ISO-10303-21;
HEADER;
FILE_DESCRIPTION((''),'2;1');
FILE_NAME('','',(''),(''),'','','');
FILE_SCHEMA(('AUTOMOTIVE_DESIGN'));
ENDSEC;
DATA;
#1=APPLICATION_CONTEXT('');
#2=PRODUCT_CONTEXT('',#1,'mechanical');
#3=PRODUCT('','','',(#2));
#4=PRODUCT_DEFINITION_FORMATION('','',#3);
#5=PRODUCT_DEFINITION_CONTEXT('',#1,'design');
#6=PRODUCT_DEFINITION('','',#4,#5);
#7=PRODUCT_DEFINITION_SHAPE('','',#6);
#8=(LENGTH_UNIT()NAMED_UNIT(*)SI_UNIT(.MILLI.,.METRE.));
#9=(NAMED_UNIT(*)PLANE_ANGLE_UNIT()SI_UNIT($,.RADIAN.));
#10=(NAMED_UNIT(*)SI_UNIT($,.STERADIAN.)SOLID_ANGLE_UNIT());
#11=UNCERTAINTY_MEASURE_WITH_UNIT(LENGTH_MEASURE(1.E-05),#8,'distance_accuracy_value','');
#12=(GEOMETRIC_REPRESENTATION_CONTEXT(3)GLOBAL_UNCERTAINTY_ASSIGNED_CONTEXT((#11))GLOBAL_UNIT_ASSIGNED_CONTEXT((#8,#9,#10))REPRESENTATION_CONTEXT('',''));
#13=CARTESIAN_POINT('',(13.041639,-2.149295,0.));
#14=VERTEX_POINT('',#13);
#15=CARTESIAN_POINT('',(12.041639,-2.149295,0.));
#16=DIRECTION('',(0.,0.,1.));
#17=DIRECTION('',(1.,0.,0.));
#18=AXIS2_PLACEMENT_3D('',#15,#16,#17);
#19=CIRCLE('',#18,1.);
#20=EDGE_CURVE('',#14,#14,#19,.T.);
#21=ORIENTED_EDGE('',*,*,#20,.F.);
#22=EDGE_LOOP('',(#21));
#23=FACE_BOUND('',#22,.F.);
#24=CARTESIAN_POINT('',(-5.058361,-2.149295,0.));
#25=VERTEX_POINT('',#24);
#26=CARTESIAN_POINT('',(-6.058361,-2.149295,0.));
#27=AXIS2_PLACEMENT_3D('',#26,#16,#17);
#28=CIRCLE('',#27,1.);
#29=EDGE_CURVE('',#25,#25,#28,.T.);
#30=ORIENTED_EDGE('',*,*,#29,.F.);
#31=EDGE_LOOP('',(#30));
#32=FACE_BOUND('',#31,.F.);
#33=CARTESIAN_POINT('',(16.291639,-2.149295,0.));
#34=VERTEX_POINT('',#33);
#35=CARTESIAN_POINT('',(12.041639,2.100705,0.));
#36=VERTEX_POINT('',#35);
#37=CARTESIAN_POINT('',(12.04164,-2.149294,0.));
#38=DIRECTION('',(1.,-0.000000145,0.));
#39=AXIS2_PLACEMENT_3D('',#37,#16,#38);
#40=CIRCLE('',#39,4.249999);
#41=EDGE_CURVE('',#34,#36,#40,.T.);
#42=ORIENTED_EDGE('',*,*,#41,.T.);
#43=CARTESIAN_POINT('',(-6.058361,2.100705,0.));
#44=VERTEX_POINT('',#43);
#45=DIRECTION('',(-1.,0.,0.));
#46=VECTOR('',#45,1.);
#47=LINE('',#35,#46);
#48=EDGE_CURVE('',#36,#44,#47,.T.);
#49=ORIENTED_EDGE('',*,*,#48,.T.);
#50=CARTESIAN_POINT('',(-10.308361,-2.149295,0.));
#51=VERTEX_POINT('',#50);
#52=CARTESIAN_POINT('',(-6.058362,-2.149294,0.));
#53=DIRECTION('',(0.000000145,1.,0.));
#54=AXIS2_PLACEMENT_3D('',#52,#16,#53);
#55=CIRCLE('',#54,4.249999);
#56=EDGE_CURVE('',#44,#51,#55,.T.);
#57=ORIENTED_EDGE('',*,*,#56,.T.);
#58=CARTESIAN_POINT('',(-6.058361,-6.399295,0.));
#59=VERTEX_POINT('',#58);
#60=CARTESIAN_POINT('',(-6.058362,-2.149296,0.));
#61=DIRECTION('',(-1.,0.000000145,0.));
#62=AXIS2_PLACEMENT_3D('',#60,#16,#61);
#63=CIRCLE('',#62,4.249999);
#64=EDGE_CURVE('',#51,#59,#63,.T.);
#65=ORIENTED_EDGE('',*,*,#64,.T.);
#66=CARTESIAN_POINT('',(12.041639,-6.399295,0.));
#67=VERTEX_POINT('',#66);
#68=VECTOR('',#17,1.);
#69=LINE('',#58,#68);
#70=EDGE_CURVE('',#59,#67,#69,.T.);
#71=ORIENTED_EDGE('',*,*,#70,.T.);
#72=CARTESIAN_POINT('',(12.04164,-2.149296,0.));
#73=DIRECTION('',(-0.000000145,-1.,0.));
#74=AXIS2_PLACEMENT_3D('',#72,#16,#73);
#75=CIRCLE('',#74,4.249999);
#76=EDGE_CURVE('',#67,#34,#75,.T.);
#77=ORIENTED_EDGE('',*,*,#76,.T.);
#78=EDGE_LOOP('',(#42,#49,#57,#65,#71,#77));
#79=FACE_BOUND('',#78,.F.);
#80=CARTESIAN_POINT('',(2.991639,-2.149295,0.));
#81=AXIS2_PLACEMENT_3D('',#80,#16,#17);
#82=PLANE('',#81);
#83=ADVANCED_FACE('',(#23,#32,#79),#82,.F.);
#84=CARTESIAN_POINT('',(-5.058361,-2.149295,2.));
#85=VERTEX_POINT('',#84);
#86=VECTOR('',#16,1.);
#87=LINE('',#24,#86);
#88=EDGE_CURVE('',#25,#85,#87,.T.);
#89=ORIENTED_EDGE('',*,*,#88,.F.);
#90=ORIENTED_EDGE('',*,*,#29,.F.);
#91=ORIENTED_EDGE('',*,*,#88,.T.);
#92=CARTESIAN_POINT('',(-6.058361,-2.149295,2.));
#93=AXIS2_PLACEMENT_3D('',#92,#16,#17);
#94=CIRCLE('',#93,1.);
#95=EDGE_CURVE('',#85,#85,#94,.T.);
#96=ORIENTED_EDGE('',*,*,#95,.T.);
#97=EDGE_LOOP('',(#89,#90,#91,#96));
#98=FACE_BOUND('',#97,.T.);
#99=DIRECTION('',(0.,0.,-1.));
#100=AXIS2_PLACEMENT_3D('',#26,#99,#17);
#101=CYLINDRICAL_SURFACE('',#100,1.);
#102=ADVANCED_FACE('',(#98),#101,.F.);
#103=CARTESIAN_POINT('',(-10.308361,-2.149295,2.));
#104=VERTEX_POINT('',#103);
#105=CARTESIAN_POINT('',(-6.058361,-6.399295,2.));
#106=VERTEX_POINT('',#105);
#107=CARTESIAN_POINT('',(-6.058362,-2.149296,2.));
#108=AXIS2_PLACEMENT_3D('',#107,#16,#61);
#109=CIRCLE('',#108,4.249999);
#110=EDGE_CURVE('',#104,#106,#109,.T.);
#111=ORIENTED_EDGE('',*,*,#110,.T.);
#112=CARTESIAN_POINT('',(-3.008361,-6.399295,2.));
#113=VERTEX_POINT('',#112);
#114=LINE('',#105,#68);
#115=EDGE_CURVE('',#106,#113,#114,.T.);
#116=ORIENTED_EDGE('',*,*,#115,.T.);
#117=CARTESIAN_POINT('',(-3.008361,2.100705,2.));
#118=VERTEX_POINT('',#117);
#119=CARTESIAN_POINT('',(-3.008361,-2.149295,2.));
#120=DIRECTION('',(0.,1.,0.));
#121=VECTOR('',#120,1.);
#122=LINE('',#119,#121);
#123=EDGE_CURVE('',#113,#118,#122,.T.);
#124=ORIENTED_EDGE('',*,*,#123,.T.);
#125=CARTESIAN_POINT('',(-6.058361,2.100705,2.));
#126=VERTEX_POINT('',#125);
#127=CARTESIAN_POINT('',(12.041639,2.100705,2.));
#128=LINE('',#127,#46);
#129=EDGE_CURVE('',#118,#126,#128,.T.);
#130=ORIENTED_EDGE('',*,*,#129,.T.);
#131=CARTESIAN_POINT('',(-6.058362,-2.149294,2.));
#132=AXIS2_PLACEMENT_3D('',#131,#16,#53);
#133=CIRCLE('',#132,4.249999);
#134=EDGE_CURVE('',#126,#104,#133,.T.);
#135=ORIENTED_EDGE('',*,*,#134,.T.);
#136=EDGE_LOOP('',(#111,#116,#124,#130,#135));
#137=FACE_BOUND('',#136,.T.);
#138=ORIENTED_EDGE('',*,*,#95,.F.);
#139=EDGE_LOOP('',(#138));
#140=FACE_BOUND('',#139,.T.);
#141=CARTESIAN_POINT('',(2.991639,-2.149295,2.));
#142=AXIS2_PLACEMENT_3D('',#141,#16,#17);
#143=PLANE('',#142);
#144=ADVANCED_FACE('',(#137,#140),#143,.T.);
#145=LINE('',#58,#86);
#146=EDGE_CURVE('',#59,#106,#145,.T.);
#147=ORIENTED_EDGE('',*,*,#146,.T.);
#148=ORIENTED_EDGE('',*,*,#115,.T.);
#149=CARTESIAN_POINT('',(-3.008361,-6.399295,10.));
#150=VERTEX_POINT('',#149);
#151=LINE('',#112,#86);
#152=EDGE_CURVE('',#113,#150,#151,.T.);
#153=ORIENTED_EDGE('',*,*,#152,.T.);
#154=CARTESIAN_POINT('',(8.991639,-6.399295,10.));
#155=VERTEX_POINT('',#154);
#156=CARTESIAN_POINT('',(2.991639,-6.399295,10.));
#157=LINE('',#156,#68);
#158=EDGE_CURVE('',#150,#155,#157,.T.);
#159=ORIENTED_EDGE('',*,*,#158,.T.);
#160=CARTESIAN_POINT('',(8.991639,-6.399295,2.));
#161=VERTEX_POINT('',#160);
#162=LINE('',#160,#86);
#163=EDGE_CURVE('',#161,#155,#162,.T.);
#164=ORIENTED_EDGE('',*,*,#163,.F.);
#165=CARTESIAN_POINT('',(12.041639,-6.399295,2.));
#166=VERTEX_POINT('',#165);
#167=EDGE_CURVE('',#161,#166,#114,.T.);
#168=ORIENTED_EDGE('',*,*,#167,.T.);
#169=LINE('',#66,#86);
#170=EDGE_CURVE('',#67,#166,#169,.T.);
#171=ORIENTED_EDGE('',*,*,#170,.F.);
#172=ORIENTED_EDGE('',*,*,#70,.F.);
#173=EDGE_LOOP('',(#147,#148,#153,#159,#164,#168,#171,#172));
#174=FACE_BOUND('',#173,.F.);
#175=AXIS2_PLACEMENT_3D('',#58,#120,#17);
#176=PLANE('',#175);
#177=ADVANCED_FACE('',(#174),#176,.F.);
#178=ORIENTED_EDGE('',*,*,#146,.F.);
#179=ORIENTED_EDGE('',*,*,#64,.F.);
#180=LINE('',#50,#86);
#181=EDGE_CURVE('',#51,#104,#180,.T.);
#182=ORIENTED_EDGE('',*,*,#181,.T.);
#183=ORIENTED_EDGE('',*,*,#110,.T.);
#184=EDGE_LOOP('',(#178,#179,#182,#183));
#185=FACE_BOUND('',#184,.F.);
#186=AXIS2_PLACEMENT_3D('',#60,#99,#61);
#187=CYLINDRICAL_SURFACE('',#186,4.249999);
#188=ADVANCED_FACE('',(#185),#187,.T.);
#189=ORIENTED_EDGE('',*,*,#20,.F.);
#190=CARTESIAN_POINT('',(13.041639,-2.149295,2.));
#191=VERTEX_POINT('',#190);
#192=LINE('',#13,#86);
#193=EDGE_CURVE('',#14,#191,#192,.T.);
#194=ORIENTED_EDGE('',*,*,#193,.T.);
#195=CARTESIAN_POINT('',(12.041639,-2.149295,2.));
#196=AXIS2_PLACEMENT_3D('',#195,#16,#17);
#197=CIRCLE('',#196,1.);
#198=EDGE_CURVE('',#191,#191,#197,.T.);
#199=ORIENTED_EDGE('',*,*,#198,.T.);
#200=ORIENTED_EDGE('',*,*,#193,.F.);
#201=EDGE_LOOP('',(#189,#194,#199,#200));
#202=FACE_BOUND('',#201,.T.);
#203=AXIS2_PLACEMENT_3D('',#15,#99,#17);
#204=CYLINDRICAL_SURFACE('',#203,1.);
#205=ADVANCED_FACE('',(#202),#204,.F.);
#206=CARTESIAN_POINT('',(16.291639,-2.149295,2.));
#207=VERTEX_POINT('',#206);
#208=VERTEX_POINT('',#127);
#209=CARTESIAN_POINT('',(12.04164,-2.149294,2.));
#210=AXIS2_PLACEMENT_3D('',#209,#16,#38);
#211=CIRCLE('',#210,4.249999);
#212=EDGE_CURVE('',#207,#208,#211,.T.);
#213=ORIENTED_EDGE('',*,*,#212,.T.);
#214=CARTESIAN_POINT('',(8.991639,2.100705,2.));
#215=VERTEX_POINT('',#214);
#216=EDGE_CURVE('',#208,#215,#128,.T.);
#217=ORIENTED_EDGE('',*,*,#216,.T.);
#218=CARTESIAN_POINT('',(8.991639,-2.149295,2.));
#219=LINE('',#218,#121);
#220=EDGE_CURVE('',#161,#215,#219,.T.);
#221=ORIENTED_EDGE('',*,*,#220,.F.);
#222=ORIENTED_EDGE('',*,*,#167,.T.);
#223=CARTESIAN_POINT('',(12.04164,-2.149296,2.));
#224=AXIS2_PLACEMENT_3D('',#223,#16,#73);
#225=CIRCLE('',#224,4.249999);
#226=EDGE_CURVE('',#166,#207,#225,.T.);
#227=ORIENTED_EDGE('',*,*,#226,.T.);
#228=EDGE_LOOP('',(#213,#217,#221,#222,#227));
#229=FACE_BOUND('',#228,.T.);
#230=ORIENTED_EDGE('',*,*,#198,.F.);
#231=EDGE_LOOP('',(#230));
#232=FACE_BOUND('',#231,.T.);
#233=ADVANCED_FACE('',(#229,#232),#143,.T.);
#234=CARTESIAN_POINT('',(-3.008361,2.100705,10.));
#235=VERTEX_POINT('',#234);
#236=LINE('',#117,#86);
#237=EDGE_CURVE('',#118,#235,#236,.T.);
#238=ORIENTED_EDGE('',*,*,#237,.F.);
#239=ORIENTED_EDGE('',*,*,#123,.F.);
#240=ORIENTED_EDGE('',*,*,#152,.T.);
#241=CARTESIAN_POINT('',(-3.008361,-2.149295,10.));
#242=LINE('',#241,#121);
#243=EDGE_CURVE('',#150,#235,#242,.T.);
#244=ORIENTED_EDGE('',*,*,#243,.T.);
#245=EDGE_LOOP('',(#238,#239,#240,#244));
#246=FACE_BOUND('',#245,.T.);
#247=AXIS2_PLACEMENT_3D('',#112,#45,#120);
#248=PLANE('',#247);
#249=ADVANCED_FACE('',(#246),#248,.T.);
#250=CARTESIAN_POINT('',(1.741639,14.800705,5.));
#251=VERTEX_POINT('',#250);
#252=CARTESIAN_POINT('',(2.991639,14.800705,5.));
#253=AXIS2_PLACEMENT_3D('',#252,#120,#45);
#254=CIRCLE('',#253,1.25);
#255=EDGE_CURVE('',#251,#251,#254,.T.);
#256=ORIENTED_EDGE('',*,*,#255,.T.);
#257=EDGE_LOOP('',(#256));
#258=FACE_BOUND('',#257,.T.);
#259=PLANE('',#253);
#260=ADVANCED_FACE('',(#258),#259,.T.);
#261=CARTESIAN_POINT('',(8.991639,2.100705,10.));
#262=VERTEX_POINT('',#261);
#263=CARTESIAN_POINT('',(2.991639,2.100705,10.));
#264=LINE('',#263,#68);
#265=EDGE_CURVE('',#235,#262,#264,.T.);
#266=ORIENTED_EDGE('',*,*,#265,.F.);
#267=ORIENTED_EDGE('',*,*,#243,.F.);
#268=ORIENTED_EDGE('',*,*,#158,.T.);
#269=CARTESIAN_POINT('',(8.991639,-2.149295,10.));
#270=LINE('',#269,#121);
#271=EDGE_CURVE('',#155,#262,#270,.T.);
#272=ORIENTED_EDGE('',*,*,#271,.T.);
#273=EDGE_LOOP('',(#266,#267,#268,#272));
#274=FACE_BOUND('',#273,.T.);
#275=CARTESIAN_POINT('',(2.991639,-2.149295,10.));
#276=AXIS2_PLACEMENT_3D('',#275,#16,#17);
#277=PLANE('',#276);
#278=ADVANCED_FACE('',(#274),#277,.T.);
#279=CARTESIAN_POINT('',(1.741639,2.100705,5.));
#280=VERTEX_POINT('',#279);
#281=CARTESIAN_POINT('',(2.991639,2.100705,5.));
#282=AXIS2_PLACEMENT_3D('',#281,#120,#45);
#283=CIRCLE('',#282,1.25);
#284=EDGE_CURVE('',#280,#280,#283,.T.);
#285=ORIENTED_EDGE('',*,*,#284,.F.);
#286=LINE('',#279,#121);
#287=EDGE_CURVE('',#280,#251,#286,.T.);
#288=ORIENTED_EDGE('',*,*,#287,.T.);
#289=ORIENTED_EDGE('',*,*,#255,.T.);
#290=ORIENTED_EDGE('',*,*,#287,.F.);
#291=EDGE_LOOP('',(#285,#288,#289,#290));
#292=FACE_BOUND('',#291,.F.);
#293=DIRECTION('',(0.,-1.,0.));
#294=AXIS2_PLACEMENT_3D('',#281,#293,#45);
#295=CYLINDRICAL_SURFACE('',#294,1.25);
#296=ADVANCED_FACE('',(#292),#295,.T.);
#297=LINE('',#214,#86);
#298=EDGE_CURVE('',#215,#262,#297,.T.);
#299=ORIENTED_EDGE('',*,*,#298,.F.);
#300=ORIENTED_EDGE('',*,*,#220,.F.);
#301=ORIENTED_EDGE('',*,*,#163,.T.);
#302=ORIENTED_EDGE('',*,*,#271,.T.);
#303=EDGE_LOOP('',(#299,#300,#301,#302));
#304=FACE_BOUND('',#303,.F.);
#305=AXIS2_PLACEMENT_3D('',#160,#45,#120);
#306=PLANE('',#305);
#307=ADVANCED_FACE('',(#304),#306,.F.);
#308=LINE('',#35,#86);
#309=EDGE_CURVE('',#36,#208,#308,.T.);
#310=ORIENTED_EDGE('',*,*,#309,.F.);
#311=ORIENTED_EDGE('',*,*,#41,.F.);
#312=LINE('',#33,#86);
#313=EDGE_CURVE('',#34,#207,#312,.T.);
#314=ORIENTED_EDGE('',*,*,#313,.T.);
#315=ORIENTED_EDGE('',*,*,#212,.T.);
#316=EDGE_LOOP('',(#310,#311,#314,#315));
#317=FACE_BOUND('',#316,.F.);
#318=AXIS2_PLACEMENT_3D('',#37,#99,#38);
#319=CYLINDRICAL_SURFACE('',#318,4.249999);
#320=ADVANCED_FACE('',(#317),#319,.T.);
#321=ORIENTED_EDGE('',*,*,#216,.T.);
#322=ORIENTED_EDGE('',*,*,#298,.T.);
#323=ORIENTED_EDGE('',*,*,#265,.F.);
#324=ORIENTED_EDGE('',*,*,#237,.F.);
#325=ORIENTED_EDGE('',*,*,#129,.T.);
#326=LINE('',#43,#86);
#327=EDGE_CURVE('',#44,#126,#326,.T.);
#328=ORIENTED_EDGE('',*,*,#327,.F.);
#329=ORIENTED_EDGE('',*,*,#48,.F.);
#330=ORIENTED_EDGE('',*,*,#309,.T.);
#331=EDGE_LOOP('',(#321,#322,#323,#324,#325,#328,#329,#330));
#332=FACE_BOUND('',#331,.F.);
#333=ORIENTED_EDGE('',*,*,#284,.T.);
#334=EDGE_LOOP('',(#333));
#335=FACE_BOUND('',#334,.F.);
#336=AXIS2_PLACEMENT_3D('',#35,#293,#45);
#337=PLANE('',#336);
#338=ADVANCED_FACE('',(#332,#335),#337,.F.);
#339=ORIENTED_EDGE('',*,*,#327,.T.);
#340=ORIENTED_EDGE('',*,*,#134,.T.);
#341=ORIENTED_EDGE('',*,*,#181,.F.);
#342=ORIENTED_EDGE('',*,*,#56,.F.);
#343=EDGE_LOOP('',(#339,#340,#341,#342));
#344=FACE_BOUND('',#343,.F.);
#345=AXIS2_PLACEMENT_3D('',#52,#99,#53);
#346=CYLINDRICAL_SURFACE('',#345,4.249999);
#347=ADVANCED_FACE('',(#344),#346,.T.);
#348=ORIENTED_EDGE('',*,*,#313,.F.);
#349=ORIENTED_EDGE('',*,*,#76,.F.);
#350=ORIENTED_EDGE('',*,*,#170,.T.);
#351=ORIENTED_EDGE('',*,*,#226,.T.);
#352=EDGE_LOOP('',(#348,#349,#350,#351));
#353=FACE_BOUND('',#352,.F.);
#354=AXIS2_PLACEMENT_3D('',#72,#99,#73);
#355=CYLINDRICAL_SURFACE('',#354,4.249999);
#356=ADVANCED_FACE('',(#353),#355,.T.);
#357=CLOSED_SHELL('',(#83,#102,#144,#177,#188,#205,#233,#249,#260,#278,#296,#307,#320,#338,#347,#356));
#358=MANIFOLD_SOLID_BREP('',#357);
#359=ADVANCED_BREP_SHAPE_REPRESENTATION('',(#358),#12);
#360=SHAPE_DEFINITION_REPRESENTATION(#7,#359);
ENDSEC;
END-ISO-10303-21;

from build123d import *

# Parameters (mm, degrees)
F0_R     = 1
F1_DEPTH = 2
F2_W     = 12
F2_H     = 8.5
F3_DEPTH = 8
F4_R     = 1.25
F5_DEPTH = 12.7


with BuildPart() as f1:
    # F0 (on Top) → F1 (new body)
    with BuildSketch(Plane.XY):
        with BuildLine():
            ThreePointArc((-10.308361, -2.149295), (-9.063565, -5.154499), (-6.058361, -6.399295))
            Line((-6.058361, -6.399295), (12.041639, -6.399295))
            ThreePointArc((12.041639, -6.399295), (15.046843, -5.154499), (16.291639, -2.149295))
            ThreePointArc((16.291639, -2.149295), (15.046843, 0.855909), (12.041639, 2.100705))
            Line((12.041639, 2.100705), (-6.058361, 2.100705))
            ThreePointArc((-6.058361, 2.100705), (-9.063565, 0.855909), (-10.308361, -2.149295))
        make_face()
        with Locations((-6.058361, -2.149295)):
            Circle(F0_R, mode=Mode.SUBTRACT)
        with Locations((12.041639, -2.149295)):
            Circle(F0_R, mode=Mode.SUBTRACT)
    extrude(amount=F1_DEPTH)

    # F2 (on face) → F3 (join)
    with BuildSketch(Plane.XY.offset(2)):
        with Locations((2.991639, -2.149295)):
            Rectangle(F2_W, F2_H)
    extrude(amount=F3_DEPTH)

    # F4 (on face) → F5 (join)
    with BuildSketch(Plane(origin=(0, 2.100705, 0), x_dir=(-1, 0, 0), z_dir=(0, 1, 0))):
        with Locations((-2.991639, 5)):
            Circle(F4_R)
    extrude(amount=F5_DEPTH)


solid = f1.part
